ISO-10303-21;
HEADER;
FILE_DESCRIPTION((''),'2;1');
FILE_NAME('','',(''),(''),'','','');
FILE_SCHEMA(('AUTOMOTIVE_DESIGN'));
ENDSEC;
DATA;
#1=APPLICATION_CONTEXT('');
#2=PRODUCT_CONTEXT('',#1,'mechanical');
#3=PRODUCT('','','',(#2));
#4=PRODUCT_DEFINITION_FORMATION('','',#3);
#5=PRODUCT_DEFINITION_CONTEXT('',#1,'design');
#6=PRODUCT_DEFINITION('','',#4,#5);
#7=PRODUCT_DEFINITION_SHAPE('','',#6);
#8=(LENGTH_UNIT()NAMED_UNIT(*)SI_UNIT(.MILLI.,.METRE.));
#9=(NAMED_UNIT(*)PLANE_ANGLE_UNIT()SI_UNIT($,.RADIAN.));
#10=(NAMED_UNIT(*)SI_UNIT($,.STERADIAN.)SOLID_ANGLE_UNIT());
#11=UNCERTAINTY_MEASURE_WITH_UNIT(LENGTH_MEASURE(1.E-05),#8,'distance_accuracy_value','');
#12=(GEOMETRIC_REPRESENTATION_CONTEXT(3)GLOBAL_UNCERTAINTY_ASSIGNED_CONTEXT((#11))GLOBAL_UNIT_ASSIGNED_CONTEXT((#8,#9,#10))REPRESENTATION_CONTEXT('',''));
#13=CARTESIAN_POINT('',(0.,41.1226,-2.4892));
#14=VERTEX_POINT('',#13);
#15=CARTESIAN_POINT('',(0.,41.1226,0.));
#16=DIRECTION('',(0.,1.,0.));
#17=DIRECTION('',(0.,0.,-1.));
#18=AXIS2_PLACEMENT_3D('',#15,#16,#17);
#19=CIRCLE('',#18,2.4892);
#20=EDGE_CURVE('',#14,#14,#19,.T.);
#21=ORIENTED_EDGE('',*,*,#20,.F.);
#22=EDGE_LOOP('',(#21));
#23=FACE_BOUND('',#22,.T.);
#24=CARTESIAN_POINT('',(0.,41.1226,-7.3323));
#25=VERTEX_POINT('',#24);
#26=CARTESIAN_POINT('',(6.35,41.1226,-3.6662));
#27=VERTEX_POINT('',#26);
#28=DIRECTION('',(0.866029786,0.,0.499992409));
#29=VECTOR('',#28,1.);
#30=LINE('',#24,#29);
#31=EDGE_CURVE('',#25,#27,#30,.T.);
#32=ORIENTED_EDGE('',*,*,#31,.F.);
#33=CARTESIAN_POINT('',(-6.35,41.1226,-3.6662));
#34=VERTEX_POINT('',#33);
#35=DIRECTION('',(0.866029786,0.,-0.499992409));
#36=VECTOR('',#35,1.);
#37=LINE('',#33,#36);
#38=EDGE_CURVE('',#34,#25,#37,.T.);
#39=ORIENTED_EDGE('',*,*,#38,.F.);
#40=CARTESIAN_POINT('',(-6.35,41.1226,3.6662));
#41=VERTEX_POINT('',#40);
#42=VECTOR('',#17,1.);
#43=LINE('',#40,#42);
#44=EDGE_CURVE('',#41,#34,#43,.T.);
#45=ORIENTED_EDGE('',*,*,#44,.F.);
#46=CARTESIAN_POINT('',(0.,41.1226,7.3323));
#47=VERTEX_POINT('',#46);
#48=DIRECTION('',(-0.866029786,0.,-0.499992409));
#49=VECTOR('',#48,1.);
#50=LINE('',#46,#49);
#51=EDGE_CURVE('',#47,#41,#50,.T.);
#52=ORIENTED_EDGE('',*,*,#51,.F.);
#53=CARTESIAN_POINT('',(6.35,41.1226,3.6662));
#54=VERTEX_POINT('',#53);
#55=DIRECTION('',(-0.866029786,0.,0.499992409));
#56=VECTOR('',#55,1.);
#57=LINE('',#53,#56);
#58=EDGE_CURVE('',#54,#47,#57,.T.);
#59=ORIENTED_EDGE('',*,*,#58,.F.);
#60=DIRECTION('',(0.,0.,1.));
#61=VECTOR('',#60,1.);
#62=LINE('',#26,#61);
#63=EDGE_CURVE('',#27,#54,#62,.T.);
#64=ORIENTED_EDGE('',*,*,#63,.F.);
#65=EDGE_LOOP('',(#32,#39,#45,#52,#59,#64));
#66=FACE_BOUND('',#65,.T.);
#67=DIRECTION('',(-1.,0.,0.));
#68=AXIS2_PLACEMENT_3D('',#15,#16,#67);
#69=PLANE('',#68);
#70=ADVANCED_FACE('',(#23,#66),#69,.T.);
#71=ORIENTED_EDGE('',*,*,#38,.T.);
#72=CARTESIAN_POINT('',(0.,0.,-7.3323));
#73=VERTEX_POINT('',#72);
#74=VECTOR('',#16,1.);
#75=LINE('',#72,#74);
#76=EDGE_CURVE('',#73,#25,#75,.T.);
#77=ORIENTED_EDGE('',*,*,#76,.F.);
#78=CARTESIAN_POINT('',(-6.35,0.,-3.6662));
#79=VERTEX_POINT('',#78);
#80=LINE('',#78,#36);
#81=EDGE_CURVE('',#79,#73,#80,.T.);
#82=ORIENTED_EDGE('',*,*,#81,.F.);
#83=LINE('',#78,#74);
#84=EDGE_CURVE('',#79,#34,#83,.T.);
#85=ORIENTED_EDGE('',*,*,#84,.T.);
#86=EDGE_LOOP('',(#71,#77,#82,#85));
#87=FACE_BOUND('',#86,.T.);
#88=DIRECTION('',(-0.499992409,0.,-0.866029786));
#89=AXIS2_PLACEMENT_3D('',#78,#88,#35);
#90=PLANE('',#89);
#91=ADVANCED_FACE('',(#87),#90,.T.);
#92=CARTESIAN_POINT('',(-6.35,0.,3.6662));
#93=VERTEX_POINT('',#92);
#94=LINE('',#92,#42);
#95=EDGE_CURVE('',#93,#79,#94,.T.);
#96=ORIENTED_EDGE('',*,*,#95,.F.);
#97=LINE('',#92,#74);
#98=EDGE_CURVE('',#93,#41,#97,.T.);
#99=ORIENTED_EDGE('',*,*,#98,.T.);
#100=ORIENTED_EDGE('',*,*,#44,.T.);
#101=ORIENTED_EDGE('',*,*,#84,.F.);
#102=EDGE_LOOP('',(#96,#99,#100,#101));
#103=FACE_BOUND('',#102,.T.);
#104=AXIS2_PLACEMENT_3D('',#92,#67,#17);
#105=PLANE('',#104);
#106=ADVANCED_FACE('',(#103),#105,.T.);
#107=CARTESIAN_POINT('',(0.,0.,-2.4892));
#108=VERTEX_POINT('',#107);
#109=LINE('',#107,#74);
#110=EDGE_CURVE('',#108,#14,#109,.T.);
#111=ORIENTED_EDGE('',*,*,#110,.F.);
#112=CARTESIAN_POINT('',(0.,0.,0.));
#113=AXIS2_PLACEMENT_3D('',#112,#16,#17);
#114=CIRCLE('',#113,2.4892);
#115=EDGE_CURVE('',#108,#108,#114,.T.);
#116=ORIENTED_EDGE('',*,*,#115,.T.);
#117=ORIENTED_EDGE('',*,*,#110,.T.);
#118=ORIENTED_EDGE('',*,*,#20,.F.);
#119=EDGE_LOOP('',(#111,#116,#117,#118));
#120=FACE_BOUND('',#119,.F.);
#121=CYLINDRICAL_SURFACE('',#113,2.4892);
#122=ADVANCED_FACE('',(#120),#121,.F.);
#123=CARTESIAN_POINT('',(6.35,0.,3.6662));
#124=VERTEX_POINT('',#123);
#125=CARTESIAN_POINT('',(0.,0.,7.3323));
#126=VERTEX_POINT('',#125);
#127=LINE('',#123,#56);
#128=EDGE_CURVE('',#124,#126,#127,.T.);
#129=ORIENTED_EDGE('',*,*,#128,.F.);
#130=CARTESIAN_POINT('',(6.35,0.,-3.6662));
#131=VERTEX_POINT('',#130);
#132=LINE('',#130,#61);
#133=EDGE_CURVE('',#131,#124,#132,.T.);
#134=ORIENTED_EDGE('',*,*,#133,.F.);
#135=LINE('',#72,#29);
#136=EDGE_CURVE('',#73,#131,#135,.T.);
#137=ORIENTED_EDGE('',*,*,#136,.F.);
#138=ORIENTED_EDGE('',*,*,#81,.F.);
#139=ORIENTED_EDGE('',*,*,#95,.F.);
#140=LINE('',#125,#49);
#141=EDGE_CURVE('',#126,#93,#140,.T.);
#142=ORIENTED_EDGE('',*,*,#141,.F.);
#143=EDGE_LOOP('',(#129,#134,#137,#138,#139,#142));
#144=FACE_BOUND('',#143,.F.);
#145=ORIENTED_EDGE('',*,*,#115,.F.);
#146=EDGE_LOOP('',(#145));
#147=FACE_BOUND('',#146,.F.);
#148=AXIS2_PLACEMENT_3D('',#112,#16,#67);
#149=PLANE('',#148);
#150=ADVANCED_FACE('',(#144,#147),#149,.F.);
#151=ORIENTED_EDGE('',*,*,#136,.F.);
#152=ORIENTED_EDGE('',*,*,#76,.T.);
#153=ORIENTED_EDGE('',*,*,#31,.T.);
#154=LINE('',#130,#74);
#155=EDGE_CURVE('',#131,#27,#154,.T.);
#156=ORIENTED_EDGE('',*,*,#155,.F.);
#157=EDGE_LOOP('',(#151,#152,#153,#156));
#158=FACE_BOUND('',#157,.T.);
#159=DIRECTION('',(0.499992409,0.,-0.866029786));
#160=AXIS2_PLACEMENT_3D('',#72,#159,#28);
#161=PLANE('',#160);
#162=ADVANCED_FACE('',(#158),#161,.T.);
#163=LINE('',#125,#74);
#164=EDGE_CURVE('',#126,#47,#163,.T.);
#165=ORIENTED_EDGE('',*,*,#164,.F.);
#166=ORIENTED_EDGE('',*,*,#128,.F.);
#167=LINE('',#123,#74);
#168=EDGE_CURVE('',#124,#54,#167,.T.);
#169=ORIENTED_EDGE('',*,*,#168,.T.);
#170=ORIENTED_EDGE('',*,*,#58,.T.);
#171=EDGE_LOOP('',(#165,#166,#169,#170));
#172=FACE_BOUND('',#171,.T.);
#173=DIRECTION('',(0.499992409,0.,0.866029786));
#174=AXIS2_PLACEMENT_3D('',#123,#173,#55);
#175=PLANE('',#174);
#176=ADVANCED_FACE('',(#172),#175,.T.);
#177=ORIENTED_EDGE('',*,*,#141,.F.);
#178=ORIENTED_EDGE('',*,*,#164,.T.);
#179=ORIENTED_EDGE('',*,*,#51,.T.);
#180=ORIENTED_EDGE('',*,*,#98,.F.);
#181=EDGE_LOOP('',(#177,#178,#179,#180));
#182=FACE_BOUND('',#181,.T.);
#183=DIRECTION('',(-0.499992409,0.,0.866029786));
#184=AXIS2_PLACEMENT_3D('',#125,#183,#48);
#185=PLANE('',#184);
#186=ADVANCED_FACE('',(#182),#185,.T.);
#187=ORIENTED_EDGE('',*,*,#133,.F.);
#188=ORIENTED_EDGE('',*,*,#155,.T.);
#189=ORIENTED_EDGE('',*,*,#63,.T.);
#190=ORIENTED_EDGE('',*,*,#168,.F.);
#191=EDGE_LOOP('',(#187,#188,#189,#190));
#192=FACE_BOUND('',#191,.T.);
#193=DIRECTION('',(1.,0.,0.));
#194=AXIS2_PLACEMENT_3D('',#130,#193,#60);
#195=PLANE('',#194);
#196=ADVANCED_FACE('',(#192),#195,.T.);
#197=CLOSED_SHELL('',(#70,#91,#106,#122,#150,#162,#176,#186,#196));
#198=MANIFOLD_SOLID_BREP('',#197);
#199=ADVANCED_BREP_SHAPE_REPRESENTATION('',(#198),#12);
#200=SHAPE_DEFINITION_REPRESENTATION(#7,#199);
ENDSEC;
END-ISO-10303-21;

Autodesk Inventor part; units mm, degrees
ref_plane "YZ Plane" through (0, 0, 0) normal (1, 0, 0) x (0, 1, 0)
ref_plane "XZ Plane" through (0, 0, 0) normal (0, 1, 0) x (-1, 0, 0)
ref_plane "XY Plane" through (0, 0, 0) normal (0, 0, 1) x (1, 0, 0)
sketch "Sketch1" plane through (0, 0, 0) normal (0, 1, 0) x (-1, 0, 0)
  line L0 (6.35, -3.6662) -> (0, -7.3323)
  line L1 (0, -7.3323) -> (-6.35, -3.6662)
  line L2 (-6.35, -3.6662) -> (-6.35, 3.6662)
  line L3 (-6.35, 3.6662) -> (0, 7.3323)
  line L4 (0, 7.3323) -> (6.35, 3.6662)
  line L5 (6.35, 3.6662) -> (6.35, -3.6662)
  point P0 (0, 0)
  point P1 (0, 0)
  point P2 (0, 0)
  dimension "d0" = 12.7
extrude "Extrusion1" add sketch "Sketch1" along normal blind 41.1226
sketch "Sketch2" plane through (0, 0, 0) normal (0, -1, 0) x (1, 0, 0)
  point P0 (0, 0)
  point P1 (0, 0)
hole "Hole1" at (0, 0, 0) at (0, 0, 0) direction (0, 1, 0) diameter 4.9784 end through all thread size "1/4-20 UNC" class "2B" standard "ANSI Unified Screw Threads"
properties part number "Intake Pivot Hex Shaft" material "Aluminum 7075"
